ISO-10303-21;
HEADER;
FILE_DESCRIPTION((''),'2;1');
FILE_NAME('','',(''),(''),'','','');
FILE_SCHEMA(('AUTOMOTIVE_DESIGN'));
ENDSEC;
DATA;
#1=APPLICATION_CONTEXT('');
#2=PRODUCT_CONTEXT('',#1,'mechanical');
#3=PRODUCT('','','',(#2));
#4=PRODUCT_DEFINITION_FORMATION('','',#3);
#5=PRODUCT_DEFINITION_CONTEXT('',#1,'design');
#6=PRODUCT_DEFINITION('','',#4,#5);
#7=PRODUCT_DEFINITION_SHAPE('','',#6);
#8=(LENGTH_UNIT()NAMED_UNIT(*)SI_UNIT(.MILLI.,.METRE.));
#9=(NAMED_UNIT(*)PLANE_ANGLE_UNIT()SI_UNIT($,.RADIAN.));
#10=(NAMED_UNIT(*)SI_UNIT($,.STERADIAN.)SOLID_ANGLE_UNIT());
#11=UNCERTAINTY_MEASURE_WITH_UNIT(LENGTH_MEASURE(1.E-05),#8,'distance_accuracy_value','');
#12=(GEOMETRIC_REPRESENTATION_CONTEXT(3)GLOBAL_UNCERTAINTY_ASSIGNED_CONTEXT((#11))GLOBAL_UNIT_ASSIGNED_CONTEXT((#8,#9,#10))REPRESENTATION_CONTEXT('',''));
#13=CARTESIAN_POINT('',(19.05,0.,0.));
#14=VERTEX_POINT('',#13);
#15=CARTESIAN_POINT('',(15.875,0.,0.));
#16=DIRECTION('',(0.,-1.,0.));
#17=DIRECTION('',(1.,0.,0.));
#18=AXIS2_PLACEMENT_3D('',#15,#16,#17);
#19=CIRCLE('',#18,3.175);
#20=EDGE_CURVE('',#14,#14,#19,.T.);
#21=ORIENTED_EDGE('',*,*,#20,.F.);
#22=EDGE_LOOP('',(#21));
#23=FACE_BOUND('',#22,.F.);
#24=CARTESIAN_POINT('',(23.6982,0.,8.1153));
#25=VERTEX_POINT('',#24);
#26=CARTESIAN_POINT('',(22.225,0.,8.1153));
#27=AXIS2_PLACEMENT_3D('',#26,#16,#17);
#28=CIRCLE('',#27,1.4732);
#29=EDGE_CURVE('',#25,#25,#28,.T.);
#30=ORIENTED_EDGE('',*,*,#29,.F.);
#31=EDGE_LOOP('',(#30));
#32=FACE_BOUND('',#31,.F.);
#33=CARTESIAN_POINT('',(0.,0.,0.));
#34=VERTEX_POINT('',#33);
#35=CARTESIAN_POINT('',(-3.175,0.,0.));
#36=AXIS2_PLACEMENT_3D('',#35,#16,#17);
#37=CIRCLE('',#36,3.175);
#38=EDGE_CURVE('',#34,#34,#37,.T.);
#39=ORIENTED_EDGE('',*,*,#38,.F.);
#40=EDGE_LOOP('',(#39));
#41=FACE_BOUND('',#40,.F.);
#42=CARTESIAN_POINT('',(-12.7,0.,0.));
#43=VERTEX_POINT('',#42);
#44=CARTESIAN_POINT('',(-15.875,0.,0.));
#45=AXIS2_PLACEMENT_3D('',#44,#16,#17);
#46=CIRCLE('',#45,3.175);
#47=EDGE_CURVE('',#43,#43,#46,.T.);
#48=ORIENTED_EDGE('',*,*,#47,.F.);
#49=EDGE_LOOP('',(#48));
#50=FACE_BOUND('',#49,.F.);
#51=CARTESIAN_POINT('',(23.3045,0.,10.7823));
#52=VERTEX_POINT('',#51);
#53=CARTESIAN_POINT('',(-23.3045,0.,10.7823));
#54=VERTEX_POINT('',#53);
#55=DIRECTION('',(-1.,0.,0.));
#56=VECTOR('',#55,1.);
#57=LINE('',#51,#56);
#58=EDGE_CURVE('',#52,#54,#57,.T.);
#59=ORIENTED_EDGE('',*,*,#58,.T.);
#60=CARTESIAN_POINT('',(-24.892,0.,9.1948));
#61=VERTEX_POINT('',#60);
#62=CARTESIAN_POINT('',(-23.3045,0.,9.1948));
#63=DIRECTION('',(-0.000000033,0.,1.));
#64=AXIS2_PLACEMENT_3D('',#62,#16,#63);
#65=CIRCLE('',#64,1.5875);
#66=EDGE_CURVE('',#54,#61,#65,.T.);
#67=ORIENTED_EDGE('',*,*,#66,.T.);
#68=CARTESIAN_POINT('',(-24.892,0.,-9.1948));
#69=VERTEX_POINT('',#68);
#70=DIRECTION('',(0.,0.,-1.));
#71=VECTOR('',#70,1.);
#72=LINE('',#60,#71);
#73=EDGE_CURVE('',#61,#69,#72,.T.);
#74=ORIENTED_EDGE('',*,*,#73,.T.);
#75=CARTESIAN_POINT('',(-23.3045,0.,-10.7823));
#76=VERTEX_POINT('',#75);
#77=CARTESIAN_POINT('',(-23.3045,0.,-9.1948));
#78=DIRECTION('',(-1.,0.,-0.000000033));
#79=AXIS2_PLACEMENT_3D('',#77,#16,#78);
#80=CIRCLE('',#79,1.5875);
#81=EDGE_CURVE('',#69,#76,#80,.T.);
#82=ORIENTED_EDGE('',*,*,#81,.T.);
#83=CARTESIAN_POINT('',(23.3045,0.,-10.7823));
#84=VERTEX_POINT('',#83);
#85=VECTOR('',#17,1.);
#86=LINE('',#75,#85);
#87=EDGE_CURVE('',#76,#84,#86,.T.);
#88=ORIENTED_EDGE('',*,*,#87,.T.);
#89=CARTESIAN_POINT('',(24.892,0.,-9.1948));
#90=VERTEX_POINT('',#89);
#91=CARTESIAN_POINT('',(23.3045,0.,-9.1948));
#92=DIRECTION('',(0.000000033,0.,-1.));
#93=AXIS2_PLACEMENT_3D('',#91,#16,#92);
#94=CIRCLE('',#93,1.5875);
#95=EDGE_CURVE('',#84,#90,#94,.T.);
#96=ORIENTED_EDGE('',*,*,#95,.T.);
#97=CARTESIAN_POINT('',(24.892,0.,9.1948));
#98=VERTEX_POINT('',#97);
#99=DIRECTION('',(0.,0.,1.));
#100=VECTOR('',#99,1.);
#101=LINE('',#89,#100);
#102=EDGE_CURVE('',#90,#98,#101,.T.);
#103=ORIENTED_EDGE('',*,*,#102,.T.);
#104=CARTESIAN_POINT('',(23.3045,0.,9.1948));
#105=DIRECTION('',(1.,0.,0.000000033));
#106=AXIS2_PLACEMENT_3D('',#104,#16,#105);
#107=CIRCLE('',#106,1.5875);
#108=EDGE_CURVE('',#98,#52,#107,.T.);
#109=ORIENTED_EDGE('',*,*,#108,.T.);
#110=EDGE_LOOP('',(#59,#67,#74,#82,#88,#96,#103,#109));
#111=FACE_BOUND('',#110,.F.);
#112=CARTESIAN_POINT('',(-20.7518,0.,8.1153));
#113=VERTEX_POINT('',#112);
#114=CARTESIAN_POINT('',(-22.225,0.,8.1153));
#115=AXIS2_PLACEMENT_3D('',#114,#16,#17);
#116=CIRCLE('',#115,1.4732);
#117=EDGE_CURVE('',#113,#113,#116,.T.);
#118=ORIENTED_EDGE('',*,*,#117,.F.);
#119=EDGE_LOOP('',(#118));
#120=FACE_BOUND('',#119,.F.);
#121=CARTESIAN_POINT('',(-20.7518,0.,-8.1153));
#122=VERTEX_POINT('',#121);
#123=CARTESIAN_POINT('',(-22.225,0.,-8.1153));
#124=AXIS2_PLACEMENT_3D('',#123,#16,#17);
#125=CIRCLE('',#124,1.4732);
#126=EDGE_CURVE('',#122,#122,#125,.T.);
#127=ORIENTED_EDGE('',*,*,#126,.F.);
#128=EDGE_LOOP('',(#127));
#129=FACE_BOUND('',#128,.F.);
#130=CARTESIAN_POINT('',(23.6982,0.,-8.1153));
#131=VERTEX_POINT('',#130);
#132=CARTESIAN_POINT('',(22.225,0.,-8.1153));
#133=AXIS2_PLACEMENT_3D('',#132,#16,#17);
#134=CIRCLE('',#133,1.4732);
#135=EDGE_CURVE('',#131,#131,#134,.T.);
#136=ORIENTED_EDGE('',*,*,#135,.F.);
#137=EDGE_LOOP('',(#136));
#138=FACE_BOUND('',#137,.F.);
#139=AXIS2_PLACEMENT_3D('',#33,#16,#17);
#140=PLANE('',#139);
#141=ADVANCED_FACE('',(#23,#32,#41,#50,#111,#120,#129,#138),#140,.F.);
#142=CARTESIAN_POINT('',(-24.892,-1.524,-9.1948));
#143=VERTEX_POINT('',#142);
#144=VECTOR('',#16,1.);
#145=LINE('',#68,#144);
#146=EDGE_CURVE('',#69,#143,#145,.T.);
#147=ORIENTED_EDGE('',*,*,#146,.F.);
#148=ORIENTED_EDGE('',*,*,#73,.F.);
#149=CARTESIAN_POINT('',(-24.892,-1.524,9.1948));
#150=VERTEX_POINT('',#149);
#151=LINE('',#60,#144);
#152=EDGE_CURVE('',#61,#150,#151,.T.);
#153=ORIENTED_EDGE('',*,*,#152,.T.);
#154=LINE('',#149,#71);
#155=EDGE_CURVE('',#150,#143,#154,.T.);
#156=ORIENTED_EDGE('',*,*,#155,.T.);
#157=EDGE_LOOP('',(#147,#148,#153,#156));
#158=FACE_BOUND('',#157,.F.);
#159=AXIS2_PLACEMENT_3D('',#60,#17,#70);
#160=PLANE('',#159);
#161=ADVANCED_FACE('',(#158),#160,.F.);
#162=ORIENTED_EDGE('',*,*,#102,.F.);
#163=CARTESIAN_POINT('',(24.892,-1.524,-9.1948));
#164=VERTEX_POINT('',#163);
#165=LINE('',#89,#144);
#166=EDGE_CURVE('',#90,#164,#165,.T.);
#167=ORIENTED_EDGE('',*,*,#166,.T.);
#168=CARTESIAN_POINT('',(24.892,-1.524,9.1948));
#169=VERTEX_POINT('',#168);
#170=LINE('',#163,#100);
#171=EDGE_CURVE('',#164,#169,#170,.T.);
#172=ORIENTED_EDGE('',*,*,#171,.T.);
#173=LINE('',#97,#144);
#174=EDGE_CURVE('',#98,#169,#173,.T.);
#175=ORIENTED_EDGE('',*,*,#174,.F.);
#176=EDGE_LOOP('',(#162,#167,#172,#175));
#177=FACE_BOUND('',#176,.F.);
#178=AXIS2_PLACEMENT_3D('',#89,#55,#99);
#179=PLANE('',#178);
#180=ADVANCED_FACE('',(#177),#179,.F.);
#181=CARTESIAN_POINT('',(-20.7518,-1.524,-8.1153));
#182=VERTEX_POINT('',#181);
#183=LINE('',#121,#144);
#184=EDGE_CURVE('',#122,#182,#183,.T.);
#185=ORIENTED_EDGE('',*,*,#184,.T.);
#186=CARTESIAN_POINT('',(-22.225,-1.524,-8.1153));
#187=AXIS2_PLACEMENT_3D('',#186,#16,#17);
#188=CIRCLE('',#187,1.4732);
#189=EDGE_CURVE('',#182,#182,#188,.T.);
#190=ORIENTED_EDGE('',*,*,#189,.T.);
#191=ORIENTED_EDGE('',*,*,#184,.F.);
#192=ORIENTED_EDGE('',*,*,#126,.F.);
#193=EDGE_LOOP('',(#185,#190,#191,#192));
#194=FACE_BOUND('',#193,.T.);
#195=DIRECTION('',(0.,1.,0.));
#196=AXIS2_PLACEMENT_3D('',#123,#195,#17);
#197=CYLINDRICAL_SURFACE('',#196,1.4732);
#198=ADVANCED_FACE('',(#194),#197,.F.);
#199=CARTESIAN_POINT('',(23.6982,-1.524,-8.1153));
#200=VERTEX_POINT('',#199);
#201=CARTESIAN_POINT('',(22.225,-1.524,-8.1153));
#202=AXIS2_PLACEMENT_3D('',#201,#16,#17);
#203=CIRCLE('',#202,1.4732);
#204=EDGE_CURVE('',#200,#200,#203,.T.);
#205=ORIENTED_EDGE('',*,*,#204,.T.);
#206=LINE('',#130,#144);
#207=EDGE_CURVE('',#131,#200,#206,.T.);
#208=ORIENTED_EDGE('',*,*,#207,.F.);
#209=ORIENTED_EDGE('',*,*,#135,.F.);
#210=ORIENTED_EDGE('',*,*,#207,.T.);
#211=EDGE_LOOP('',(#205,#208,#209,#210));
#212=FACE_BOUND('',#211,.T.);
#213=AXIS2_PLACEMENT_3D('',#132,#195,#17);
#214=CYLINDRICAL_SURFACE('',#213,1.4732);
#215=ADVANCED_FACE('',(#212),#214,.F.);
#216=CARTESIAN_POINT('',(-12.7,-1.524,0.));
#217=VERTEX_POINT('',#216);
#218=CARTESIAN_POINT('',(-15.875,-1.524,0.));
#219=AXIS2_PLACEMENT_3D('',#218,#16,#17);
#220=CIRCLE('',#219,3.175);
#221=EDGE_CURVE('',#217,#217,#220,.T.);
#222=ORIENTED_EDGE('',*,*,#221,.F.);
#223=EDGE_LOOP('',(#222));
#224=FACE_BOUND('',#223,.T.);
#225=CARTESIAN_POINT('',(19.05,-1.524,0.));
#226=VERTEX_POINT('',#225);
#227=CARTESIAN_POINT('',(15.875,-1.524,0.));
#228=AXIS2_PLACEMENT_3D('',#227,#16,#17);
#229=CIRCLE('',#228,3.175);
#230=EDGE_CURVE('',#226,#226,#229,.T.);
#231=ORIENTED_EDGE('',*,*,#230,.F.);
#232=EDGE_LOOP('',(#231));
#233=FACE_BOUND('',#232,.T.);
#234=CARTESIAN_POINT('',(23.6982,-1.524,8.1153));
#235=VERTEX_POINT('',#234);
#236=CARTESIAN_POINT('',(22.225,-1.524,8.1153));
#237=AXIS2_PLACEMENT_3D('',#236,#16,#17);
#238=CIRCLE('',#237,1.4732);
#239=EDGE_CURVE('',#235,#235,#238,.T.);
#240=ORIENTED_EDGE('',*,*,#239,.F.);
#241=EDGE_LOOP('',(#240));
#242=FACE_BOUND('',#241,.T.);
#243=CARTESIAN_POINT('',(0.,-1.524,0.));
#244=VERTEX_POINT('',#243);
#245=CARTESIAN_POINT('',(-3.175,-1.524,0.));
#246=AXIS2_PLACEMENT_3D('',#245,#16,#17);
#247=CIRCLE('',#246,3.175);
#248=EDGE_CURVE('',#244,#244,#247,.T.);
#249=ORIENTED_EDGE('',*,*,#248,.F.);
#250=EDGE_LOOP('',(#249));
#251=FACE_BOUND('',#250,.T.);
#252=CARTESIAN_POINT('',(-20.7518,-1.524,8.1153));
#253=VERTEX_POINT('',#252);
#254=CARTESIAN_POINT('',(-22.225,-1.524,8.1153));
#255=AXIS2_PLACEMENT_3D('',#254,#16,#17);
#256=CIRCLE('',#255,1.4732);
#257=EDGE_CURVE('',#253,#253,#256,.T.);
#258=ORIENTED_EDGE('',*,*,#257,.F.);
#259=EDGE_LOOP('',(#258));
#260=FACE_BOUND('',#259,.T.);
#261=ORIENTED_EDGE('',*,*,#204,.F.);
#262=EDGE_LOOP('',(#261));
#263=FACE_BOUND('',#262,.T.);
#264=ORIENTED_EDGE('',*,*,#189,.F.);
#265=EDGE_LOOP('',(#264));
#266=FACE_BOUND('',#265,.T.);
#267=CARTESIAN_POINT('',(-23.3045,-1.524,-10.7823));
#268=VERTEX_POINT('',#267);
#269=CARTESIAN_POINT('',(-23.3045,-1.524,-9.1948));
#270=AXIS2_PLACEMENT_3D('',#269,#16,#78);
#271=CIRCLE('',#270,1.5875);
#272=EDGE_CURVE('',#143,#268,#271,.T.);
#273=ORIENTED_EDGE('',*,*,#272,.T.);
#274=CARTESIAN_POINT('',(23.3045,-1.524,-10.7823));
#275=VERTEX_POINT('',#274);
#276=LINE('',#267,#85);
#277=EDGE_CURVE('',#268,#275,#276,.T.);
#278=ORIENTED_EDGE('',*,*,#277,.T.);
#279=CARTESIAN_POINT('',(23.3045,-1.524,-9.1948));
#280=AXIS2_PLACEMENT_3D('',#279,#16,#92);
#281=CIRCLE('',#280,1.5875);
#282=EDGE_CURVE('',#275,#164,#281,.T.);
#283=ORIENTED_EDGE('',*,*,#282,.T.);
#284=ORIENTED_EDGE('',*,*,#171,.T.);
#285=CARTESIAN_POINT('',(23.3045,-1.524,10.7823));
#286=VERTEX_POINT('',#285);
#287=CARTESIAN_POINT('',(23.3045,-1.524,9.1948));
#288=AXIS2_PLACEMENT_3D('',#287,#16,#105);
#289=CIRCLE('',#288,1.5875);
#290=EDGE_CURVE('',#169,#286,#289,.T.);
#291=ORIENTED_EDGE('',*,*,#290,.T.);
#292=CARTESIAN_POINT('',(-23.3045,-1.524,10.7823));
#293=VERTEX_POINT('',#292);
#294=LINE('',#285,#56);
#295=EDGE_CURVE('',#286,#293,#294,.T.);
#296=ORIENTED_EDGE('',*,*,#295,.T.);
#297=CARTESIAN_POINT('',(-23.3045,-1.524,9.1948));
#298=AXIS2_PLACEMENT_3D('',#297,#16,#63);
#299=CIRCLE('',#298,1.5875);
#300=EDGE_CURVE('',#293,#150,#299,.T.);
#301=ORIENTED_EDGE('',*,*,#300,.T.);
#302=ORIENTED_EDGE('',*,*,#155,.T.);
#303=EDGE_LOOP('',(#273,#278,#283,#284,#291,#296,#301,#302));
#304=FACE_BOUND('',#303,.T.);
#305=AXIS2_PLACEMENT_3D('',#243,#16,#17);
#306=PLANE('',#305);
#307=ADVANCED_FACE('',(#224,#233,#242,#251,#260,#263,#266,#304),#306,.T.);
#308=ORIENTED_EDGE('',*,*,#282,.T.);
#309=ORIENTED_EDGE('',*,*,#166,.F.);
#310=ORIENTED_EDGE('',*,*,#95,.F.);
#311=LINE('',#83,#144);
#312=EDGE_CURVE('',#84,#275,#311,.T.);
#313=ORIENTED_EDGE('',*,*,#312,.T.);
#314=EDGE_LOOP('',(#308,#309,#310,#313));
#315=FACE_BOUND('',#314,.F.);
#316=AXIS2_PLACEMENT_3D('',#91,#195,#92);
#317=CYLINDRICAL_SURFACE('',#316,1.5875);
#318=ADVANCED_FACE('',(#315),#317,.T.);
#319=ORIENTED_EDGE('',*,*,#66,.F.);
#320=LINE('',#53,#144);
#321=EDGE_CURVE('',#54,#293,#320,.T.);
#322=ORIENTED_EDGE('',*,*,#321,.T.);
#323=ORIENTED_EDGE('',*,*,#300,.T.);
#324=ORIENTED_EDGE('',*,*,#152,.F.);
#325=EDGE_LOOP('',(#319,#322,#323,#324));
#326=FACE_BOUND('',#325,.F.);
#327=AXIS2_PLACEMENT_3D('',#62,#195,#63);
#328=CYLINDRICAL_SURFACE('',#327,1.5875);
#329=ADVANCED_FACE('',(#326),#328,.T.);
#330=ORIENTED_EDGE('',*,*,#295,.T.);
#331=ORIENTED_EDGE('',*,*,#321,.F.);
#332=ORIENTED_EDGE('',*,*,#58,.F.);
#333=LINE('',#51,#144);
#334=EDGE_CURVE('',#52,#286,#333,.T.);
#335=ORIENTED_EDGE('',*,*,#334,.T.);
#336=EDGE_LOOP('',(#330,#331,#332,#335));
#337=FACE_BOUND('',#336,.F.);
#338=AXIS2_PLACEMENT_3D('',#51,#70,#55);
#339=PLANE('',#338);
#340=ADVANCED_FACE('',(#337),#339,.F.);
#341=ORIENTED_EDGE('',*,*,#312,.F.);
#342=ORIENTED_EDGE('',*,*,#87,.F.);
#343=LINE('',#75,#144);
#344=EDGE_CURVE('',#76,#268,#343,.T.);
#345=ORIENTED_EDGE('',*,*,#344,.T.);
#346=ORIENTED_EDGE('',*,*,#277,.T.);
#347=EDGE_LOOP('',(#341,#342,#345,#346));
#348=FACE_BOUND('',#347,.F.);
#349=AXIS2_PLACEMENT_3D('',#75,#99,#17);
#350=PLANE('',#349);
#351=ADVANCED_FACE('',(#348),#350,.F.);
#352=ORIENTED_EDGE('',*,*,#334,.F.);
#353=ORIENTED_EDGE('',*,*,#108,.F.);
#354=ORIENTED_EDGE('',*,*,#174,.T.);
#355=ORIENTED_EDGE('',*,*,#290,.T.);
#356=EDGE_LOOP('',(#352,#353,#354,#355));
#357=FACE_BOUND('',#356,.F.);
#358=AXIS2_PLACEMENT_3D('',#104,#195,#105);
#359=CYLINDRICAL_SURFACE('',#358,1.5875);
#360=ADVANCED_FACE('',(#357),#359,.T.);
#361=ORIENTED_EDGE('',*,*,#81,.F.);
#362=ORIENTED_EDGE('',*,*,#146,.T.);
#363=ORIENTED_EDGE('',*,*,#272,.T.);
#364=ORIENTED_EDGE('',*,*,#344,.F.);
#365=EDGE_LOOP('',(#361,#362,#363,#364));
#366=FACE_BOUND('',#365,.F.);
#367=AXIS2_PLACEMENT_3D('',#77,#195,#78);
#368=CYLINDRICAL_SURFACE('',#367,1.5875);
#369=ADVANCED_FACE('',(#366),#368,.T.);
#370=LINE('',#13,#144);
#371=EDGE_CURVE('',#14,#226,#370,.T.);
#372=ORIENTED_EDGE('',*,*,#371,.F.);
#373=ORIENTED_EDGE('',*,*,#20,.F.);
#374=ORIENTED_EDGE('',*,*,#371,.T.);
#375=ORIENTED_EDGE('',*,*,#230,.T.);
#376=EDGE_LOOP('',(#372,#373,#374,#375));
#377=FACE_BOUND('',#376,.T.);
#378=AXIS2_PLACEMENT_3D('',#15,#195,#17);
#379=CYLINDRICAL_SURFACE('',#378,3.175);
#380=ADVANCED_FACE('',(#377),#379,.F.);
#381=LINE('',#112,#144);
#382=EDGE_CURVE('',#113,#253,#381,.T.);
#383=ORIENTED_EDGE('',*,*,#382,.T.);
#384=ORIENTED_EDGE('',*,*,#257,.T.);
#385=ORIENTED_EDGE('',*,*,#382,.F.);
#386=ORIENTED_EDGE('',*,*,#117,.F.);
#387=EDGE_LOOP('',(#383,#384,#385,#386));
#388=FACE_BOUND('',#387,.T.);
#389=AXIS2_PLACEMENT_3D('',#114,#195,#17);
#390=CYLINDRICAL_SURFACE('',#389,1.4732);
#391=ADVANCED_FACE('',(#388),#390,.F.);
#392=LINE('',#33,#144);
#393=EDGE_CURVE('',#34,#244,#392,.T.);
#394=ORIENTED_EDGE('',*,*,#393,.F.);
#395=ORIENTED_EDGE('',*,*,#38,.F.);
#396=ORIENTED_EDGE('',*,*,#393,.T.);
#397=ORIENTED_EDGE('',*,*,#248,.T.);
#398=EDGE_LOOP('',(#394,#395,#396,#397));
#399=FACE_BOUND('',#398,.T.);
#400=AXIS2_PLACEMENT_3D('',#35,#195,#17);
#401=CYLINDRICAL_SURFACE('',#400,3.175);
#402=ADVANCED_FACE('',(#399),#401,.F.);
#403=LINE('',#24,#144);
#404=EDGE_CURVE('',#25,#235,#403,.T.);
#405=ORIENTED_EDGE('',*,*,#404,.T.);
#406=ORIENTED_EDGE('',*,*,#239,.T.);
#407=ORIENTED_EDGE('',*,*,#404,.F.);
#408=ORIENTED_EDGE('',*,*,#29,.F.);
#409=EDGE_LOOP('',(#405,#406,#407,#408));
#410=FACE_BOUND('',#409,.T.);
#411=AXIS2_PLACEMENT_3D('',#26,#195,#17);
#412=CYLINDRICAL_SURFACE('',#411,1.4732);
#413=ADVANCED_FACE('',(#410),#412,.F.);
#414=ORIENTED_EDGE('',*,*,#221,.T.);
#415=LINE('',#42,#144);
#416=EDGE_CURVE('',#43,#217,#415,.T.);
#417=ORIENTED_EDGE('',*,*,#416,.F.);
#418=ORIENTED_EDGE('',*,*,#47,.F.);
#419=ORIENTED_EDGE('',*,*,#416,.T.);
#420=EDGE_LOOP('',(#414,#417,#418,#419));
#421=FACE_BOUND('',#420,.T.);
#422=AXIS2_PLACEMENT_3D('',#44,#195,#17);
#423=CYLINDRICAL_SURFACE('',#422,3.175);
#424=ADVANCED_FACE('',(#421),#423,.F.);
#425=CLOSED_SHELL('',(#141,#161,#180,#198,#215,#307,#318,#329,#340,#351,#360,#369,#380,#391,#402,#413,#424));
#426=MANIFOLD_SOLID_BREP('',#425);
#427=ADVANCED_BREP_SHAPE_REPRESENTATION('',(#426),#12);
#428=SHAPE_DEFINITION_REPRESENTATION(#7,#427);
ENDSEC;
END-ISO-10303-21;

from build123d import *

# Parameters (mm, degrees)
F0_R     = 1.4732
F0_R_2   = 3.175
F1_DEPTH = 1.524


with BuildPart() as f1:
    # F0 (on Front) → F1 (new body)
    with BuildSketch(Plane.XZ):
        with BuildLine():
            Line((23.3045, 10.7823), (-23.3045, 10.7823))
            ThreePointArc((-23.3045, 10.7823), (-24.427032, 10.317332), (-24.892, 9.1948))
            Line((-24.892, 9.1948), (-24.892, -9.1948))
            ThreePointArc((-24.892, -9.1948), (-24.427032, -10.317332), (-23.3045, -10.7823))
            Line((-23.3045, -10.7823), (23.3045, -10.7823))
            ThreePointArc((23.3045, -10.7823), (24.427032, -10.317332), (24.892, -9.1948))
            Line((24.892, -9.1948), (24.892, 9.1948))
            ThreePointArc((24.892, 9.1948), (24.427032, 10.317332), (23.3045, 10.7823))
        make_face()
        with Locations((-22.225, -8.1153)):
            Circle(F0_R, mode=Mode.SUBTRACT)
        with Locations((22.225, -8.1153)):
            Circle(F0_R, mode=Mode.SUBTRACT)
        with Locations((-15.875, 0)):
            Circle(F0_R_2, mode=Mode.SUBTRACT)
        with Locations((-3.175, 0)):
            Circle(F0_R_2, mode=Mode.SUBTRACT)
        with Locations((-22.225, 8.1153)):
            Circle(F0_R, mode=Mode.SUBTRACT)
        with Locations((15.875, 0)):
            Circle(F0_R_2, mode=Mode.SUBTRACT)
        with Locations((22.225, 8.1153)):
            Circle(F0_R, mode=Mode.SUBTRACT)
    extrude(amount=F1_DEPTH)


solid = f1.part
